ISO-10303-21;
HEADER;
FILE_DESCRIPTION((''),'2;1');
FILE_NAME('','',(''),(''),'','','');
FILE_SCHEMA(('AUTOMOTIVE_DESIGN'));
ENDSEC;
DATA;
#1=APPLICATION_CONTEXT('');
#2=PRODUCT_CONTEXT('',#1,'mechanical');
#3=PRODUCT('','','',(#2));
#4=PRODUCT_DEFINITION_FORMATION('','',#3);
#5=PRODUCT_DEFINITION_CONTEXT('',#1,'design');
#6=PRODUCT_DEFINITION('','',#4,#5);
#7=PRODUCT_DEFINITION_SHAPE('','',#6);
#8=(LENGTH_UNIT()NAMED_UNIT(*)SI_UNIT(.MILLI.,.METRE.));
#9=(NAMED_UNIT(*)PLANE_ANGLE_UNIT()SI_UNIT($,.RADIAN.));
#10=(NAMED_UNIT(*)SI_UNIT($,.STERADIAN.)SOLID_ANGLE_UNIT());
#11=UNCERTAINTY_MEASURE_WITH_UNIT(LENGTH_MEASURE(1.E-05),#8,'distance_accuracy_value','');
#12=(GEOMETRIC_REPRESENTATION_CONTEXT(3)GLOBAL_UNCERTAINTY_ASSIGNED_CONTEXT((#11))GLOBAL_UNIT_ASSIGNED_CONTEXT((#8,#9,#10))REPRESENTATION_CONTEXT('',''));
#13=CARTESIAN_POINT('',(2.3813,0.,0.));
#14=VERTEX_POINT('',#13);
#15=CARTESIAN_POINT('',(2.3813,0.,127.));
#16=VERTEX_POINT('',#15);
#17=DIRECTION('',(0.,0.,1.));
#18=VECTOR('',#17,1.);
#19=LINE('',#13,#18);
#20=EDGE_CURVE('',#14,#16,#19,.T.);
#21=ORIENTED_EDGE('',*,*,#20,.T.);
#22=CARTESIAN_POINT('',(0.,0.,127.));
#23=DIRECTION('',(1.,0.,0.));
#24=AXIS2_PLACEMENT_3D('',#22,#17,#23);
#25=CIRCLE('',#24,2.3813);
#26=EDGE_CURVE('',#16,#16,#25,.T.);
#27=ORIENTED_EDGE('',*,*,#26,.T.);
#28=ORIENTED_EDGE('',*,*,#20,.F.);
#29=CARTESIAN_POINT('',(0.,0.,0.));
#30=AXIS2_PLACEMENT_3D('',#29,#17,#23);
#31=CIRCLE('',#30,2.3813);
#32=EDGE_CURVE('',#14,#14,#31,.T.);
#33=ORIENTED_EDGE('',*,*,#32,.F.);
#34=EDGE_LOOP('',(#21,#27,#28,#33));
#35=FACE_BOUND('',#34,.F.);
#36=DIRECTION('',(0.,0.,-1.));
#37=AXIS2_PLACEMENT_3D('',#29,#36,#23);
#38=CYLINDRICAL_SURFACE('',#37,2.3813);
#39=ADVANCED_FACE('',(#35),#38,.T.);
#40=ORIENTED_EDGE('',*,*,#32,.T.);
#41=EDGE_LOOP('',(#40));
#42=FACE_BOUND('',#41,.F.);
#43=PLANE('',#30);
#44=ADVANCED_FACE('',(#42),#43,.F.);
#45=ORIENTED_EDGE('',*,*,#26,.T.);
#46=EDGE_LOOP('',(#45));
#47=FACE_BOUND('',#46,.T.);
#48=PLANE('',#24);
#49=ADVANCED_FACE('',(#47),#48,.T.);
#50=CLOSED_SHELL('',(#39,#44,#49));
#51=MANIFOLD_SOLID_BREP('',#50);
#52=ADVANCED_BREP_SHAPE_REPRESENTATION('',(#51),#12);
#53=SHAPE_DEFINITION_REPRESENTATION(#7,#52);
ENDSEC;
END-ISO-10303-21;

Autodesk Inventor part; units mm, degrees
ref_plane "YZ Plane" through (0, 0, 0) normal (1, 0, 0) x (0, 1, 0)
ref_plane "XZ Plane" through (0, 0, 0) normal (0, 1, 0) x (-1, 0, 0)
ref_plane "XY Plane" through (0, 0, 0) normal (0, 0, 1) x (1, 0, 0)
sketch "Sketch1" plane through (0, 0, 0) normal (0, 0, 1) x (1, 0, 0)
  circle A0 centre (0, 0) radius 2.3813
  dimension "d0" = 4.7625
extrude "Extrusion1" add sketch "Sketch1" along normal blind 127
properties part number "Steel Rod"
